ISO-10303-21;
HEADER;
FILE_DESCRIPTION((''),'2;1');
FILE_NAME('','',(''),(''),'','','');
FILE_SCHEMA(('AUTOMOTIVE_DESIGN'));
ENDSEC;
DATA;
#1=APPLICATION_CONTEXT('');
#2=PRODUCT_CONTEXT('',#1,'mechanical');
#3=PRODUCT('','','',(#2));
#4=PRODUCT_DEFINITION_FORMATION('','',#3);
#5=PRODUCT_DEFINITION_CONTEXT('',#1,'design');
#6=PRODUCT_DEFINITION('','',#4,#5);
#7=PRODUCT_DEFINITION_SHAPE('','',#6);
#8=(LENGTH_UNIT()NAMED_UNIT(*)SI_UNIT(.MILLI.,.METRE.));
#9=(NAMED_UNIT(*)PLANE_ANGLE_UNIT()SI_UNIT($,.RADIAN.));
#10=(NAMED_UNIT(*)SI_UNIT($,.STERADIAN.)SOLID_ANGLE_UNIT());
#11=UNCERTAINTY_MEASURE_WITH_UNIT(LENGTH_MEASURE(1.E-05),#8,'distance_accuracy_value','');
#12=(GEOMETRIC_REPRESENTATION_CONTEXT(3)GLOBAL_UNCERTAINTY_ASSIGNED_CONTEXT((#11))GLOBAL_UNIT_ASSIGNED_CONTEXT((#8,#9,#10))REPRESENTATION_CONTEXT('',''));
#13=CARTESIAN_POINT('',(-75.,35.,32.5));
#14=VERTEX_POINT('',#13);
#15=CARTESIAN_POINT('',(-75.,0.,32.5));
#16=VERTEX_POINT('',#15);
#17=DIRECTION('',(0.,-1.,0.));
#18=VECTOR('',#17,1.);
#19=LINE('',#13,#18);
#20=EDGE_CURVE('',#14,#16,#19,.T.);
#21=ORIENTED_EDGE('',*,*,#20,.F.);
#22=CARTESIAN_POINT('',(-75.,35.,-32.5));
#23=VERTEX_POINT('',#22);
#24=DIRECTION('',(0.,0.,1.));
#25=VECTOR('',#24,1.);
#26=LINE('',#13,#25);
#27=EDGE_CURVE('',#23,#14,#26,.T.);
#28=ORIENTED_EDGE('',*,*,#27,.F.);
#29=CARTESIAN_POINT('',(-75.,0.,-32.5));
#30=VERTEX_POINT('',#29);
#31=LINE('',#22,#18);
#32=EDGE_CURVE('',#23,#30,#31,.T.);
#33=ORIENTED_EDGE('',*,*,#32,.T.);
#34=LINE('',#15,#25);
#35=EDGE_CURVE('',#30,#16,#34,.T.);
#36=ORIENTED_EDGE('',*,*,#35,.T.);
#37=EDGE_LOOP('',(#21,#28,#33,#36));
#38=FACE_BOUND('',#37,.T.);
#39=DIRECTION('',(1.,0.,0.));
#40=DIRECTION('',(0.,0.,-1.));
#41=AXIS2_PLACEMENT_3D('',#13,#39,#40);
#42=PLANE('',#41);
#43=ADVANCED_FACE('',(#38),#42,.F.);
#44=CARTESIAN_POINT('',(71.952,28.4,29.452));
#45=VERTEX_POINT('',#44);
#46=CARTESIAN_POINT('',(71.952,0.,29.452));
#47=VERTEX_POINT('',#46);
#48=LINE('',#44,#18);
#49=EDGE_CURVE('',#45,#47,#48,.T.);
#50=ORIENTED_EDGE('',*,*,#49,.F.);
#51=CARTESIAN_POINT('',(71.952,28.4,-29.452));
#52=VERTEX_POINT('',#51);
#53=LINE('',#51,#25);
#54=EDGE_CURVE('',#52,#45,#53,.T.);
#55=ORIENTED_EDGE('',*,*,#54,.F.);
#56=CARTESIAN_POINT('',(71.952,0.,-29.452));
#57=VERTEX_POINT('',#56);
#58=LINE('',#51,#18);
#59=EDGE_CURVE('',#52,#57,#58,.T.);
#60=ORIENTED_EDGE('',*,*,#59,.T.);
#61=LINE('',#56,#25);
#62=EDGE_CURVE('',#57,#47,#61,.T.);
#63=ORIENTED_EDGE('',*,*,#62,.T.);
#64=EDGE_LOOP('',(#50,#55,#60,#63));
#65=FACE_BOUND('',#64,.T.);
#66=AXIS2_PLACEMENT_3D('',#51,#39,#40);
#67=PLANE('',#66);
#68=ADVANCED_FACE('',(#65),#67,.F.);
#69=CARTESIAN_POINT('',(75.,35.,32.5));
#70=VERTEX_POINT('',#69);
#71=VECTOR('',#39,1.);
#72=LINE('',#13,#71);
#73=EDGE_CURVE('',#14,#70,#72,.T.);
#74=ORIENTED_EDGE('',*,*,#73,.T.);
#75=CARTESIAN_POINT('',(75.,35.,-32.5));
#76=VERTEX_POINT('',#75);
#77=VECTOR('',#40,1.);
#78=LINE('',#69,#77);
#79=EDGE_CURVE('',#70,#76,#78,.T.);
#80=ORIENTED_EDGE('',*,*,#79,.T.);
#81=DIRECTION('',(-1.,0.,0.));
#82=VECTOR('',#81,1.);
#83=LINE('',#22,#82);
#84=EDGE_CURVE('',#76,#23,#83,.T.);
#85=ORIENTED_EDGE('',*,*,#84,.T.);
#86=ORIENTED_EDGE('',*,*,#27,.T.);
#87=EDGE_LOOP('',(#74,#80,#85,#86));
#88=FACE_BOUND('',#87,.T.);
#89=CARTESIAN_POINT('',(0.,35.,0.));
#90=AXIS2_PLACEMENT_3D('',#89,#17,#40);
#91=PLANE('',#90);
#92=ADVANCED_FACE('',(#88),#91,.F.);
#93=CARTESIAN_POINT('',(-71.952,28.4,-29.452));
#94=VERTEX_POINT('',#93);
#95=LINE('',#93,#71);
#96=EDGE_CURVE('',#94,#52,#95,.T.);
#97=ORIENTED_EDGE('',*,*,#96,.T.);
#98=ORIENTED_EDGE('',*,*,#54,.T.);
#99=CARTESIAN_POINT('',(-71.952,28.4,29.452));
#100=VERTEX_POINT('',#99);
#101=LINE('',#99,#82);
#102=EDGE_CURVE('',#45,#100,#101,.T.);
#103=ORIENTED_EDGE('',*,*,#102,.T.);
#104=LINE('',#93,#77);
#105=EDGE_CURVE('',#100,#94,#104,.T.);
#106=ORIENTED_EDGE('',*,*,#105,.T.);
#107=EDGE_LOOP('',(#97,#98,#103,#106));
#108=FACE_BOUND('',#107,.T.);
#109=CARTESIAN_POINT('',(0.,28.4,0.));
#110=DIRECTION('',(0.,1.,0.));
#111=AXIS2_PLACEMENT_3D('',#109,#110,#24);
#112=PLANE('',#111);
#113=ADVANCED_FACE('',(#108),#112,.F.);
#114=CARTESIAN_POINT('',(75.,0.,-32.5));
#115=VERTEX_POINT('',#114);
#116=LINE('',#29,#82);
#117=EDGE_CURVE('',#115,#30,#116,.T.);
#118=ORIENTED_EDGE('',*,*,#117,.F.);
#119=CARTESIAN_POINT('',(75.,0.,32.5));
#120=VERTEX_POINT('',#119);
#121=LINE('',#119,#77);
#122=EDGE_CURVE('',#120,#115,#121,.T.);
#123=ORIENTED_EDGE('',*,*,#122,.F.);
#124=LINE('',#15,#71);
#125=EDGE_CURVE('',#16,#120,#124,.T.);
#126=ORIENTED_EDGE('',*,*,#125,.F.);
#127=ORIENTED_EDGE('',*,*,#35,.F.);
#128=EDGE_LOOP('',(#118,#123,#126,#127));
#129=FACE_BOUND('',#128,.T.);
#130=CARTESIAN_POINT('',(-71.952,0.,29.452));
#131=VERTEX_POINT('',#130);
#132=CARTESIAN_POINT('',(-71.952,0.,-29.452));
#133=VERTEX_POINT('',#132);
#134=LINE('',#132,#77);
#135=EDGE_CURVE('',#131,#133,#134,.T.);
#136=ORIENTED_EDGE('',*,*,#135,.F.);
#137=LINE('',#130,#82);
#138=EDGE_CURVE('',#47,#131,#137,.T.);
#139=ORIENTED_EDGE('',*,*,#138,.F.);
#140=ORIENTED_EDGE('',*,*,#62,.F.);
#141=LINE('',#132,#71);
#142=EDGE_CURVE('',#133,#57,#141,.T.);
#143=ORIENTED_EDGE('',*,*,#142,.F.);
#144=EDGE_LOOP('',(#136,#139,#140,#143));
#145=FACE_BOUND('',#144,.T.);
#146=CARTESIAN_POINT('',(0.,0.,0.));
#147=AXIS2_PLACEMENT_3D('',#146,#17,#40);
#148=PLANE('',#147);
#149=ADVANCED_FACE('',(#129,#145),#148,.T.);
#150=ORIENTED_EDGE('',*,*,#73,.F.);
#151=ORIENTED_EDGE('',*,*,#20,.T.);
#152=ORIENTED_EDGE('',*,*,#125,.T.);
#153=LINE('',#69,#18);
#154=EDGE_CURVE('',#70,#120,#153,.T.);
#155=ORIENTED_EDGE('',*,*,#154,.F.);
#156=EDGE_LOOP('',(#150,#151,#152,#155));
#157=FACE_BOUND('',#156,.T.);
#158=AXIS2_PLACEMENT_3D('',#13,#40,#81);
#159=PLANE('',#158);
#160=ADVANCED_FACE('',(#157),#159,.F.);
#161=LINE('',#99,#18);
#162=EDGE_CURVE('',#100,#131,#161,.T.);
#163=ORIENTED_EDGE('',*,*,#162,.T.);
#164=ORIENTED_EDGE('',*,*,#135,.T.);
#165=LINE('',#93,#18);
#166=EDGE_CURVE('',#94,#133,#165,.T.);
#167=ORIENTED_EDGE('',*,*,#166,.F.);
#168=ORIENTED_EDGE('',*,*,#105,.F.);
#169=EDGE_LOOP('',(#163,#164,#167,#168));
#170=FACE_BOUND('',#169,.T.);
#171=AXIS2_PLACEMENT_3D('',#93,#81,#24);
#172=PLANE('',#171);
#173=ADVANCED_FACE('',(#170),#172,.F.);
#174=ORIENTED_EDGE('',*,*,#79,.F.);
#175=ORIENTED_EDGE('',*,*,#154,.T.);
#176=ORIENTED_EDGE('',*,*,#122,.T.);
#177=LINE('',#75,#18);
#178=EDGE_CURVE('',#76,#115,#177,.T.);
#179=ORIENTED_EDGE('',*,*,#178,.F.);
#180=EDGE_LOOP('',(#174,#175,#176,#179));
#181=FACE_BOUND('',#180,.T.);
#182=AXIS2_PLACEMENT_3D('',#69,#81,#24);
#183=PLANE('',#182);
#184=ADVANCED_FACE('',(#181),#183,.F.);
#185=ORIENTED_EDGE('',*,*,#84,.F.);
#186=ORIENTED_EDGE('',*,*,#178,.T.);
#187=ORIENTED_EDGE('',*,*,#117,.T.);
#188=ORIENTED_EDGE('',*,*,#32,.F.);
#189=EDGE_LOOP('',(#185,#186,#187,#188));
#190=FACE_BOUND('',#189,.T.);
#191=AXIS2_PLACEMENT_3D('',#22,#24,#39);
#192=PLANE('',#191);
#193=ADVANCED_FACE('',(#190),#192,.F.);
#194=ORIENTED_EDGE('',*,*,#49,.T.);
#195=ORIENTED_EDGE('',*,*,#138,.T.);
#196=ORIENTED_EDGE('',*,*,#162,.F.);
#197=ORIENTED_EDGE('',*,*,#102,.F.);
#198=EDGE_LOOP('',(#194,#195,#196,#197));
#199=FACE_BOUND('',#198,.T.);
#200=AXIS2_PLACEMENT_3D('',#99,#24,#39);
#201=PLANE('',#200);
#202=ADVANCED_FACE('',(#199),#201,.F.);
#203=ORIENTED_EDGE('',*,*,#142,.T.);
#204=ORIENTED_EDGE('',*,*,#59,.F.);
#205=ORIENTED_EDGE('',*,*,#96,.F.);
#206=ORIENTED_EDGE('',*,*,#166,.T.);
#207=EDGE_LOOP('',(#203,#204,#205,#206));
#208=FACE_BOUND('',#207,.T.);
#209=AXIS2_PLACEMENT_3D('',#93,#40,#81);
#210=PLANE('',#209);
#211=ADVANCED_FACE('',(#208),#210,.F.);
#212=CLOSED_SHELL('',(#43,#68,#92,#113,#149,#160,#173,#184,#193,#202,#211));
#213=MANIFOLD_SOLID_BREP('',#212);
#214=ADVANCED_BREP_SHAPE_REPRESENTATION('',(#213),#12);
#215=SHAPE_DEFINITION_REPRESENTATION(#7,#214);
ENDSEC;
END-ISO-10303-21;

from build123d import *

# Parameters (mm, degrees)
SKETCH1_W           = 150
SKETCH1_H           = 65
BOSS_EXTRUDE1_DEPTH = 35
SKETCH2_W           = 143.904
SKETCH2_H           = 58.904
CUT_EXTRUDE1_DEPTH  = 28.4


with BuildPart() as part:
    # Sketch1 → Boss-Extrude1 (new body)
    with BuildSketch(Plane(origin=(0, 0, 0), x_dir=(1, 0, 0), z_dir=(0, 1, 0))):
        Rectangle(SKETCH1_W, SKETCH1_H)
    extrude(amount=BOSS_EXTRUDE1_DEPTH)

    # Sketch2 → Cut-Extrude1 (cut)
    with BuildSketch(Plane.XZ):
        Rectangle(SKETCH2_W, SKETCH2_H)
    extrude(amount=-CUT_EXTRUDE1_DEPTH, mode=Mode.SUBTRACT)


solid = part.part
